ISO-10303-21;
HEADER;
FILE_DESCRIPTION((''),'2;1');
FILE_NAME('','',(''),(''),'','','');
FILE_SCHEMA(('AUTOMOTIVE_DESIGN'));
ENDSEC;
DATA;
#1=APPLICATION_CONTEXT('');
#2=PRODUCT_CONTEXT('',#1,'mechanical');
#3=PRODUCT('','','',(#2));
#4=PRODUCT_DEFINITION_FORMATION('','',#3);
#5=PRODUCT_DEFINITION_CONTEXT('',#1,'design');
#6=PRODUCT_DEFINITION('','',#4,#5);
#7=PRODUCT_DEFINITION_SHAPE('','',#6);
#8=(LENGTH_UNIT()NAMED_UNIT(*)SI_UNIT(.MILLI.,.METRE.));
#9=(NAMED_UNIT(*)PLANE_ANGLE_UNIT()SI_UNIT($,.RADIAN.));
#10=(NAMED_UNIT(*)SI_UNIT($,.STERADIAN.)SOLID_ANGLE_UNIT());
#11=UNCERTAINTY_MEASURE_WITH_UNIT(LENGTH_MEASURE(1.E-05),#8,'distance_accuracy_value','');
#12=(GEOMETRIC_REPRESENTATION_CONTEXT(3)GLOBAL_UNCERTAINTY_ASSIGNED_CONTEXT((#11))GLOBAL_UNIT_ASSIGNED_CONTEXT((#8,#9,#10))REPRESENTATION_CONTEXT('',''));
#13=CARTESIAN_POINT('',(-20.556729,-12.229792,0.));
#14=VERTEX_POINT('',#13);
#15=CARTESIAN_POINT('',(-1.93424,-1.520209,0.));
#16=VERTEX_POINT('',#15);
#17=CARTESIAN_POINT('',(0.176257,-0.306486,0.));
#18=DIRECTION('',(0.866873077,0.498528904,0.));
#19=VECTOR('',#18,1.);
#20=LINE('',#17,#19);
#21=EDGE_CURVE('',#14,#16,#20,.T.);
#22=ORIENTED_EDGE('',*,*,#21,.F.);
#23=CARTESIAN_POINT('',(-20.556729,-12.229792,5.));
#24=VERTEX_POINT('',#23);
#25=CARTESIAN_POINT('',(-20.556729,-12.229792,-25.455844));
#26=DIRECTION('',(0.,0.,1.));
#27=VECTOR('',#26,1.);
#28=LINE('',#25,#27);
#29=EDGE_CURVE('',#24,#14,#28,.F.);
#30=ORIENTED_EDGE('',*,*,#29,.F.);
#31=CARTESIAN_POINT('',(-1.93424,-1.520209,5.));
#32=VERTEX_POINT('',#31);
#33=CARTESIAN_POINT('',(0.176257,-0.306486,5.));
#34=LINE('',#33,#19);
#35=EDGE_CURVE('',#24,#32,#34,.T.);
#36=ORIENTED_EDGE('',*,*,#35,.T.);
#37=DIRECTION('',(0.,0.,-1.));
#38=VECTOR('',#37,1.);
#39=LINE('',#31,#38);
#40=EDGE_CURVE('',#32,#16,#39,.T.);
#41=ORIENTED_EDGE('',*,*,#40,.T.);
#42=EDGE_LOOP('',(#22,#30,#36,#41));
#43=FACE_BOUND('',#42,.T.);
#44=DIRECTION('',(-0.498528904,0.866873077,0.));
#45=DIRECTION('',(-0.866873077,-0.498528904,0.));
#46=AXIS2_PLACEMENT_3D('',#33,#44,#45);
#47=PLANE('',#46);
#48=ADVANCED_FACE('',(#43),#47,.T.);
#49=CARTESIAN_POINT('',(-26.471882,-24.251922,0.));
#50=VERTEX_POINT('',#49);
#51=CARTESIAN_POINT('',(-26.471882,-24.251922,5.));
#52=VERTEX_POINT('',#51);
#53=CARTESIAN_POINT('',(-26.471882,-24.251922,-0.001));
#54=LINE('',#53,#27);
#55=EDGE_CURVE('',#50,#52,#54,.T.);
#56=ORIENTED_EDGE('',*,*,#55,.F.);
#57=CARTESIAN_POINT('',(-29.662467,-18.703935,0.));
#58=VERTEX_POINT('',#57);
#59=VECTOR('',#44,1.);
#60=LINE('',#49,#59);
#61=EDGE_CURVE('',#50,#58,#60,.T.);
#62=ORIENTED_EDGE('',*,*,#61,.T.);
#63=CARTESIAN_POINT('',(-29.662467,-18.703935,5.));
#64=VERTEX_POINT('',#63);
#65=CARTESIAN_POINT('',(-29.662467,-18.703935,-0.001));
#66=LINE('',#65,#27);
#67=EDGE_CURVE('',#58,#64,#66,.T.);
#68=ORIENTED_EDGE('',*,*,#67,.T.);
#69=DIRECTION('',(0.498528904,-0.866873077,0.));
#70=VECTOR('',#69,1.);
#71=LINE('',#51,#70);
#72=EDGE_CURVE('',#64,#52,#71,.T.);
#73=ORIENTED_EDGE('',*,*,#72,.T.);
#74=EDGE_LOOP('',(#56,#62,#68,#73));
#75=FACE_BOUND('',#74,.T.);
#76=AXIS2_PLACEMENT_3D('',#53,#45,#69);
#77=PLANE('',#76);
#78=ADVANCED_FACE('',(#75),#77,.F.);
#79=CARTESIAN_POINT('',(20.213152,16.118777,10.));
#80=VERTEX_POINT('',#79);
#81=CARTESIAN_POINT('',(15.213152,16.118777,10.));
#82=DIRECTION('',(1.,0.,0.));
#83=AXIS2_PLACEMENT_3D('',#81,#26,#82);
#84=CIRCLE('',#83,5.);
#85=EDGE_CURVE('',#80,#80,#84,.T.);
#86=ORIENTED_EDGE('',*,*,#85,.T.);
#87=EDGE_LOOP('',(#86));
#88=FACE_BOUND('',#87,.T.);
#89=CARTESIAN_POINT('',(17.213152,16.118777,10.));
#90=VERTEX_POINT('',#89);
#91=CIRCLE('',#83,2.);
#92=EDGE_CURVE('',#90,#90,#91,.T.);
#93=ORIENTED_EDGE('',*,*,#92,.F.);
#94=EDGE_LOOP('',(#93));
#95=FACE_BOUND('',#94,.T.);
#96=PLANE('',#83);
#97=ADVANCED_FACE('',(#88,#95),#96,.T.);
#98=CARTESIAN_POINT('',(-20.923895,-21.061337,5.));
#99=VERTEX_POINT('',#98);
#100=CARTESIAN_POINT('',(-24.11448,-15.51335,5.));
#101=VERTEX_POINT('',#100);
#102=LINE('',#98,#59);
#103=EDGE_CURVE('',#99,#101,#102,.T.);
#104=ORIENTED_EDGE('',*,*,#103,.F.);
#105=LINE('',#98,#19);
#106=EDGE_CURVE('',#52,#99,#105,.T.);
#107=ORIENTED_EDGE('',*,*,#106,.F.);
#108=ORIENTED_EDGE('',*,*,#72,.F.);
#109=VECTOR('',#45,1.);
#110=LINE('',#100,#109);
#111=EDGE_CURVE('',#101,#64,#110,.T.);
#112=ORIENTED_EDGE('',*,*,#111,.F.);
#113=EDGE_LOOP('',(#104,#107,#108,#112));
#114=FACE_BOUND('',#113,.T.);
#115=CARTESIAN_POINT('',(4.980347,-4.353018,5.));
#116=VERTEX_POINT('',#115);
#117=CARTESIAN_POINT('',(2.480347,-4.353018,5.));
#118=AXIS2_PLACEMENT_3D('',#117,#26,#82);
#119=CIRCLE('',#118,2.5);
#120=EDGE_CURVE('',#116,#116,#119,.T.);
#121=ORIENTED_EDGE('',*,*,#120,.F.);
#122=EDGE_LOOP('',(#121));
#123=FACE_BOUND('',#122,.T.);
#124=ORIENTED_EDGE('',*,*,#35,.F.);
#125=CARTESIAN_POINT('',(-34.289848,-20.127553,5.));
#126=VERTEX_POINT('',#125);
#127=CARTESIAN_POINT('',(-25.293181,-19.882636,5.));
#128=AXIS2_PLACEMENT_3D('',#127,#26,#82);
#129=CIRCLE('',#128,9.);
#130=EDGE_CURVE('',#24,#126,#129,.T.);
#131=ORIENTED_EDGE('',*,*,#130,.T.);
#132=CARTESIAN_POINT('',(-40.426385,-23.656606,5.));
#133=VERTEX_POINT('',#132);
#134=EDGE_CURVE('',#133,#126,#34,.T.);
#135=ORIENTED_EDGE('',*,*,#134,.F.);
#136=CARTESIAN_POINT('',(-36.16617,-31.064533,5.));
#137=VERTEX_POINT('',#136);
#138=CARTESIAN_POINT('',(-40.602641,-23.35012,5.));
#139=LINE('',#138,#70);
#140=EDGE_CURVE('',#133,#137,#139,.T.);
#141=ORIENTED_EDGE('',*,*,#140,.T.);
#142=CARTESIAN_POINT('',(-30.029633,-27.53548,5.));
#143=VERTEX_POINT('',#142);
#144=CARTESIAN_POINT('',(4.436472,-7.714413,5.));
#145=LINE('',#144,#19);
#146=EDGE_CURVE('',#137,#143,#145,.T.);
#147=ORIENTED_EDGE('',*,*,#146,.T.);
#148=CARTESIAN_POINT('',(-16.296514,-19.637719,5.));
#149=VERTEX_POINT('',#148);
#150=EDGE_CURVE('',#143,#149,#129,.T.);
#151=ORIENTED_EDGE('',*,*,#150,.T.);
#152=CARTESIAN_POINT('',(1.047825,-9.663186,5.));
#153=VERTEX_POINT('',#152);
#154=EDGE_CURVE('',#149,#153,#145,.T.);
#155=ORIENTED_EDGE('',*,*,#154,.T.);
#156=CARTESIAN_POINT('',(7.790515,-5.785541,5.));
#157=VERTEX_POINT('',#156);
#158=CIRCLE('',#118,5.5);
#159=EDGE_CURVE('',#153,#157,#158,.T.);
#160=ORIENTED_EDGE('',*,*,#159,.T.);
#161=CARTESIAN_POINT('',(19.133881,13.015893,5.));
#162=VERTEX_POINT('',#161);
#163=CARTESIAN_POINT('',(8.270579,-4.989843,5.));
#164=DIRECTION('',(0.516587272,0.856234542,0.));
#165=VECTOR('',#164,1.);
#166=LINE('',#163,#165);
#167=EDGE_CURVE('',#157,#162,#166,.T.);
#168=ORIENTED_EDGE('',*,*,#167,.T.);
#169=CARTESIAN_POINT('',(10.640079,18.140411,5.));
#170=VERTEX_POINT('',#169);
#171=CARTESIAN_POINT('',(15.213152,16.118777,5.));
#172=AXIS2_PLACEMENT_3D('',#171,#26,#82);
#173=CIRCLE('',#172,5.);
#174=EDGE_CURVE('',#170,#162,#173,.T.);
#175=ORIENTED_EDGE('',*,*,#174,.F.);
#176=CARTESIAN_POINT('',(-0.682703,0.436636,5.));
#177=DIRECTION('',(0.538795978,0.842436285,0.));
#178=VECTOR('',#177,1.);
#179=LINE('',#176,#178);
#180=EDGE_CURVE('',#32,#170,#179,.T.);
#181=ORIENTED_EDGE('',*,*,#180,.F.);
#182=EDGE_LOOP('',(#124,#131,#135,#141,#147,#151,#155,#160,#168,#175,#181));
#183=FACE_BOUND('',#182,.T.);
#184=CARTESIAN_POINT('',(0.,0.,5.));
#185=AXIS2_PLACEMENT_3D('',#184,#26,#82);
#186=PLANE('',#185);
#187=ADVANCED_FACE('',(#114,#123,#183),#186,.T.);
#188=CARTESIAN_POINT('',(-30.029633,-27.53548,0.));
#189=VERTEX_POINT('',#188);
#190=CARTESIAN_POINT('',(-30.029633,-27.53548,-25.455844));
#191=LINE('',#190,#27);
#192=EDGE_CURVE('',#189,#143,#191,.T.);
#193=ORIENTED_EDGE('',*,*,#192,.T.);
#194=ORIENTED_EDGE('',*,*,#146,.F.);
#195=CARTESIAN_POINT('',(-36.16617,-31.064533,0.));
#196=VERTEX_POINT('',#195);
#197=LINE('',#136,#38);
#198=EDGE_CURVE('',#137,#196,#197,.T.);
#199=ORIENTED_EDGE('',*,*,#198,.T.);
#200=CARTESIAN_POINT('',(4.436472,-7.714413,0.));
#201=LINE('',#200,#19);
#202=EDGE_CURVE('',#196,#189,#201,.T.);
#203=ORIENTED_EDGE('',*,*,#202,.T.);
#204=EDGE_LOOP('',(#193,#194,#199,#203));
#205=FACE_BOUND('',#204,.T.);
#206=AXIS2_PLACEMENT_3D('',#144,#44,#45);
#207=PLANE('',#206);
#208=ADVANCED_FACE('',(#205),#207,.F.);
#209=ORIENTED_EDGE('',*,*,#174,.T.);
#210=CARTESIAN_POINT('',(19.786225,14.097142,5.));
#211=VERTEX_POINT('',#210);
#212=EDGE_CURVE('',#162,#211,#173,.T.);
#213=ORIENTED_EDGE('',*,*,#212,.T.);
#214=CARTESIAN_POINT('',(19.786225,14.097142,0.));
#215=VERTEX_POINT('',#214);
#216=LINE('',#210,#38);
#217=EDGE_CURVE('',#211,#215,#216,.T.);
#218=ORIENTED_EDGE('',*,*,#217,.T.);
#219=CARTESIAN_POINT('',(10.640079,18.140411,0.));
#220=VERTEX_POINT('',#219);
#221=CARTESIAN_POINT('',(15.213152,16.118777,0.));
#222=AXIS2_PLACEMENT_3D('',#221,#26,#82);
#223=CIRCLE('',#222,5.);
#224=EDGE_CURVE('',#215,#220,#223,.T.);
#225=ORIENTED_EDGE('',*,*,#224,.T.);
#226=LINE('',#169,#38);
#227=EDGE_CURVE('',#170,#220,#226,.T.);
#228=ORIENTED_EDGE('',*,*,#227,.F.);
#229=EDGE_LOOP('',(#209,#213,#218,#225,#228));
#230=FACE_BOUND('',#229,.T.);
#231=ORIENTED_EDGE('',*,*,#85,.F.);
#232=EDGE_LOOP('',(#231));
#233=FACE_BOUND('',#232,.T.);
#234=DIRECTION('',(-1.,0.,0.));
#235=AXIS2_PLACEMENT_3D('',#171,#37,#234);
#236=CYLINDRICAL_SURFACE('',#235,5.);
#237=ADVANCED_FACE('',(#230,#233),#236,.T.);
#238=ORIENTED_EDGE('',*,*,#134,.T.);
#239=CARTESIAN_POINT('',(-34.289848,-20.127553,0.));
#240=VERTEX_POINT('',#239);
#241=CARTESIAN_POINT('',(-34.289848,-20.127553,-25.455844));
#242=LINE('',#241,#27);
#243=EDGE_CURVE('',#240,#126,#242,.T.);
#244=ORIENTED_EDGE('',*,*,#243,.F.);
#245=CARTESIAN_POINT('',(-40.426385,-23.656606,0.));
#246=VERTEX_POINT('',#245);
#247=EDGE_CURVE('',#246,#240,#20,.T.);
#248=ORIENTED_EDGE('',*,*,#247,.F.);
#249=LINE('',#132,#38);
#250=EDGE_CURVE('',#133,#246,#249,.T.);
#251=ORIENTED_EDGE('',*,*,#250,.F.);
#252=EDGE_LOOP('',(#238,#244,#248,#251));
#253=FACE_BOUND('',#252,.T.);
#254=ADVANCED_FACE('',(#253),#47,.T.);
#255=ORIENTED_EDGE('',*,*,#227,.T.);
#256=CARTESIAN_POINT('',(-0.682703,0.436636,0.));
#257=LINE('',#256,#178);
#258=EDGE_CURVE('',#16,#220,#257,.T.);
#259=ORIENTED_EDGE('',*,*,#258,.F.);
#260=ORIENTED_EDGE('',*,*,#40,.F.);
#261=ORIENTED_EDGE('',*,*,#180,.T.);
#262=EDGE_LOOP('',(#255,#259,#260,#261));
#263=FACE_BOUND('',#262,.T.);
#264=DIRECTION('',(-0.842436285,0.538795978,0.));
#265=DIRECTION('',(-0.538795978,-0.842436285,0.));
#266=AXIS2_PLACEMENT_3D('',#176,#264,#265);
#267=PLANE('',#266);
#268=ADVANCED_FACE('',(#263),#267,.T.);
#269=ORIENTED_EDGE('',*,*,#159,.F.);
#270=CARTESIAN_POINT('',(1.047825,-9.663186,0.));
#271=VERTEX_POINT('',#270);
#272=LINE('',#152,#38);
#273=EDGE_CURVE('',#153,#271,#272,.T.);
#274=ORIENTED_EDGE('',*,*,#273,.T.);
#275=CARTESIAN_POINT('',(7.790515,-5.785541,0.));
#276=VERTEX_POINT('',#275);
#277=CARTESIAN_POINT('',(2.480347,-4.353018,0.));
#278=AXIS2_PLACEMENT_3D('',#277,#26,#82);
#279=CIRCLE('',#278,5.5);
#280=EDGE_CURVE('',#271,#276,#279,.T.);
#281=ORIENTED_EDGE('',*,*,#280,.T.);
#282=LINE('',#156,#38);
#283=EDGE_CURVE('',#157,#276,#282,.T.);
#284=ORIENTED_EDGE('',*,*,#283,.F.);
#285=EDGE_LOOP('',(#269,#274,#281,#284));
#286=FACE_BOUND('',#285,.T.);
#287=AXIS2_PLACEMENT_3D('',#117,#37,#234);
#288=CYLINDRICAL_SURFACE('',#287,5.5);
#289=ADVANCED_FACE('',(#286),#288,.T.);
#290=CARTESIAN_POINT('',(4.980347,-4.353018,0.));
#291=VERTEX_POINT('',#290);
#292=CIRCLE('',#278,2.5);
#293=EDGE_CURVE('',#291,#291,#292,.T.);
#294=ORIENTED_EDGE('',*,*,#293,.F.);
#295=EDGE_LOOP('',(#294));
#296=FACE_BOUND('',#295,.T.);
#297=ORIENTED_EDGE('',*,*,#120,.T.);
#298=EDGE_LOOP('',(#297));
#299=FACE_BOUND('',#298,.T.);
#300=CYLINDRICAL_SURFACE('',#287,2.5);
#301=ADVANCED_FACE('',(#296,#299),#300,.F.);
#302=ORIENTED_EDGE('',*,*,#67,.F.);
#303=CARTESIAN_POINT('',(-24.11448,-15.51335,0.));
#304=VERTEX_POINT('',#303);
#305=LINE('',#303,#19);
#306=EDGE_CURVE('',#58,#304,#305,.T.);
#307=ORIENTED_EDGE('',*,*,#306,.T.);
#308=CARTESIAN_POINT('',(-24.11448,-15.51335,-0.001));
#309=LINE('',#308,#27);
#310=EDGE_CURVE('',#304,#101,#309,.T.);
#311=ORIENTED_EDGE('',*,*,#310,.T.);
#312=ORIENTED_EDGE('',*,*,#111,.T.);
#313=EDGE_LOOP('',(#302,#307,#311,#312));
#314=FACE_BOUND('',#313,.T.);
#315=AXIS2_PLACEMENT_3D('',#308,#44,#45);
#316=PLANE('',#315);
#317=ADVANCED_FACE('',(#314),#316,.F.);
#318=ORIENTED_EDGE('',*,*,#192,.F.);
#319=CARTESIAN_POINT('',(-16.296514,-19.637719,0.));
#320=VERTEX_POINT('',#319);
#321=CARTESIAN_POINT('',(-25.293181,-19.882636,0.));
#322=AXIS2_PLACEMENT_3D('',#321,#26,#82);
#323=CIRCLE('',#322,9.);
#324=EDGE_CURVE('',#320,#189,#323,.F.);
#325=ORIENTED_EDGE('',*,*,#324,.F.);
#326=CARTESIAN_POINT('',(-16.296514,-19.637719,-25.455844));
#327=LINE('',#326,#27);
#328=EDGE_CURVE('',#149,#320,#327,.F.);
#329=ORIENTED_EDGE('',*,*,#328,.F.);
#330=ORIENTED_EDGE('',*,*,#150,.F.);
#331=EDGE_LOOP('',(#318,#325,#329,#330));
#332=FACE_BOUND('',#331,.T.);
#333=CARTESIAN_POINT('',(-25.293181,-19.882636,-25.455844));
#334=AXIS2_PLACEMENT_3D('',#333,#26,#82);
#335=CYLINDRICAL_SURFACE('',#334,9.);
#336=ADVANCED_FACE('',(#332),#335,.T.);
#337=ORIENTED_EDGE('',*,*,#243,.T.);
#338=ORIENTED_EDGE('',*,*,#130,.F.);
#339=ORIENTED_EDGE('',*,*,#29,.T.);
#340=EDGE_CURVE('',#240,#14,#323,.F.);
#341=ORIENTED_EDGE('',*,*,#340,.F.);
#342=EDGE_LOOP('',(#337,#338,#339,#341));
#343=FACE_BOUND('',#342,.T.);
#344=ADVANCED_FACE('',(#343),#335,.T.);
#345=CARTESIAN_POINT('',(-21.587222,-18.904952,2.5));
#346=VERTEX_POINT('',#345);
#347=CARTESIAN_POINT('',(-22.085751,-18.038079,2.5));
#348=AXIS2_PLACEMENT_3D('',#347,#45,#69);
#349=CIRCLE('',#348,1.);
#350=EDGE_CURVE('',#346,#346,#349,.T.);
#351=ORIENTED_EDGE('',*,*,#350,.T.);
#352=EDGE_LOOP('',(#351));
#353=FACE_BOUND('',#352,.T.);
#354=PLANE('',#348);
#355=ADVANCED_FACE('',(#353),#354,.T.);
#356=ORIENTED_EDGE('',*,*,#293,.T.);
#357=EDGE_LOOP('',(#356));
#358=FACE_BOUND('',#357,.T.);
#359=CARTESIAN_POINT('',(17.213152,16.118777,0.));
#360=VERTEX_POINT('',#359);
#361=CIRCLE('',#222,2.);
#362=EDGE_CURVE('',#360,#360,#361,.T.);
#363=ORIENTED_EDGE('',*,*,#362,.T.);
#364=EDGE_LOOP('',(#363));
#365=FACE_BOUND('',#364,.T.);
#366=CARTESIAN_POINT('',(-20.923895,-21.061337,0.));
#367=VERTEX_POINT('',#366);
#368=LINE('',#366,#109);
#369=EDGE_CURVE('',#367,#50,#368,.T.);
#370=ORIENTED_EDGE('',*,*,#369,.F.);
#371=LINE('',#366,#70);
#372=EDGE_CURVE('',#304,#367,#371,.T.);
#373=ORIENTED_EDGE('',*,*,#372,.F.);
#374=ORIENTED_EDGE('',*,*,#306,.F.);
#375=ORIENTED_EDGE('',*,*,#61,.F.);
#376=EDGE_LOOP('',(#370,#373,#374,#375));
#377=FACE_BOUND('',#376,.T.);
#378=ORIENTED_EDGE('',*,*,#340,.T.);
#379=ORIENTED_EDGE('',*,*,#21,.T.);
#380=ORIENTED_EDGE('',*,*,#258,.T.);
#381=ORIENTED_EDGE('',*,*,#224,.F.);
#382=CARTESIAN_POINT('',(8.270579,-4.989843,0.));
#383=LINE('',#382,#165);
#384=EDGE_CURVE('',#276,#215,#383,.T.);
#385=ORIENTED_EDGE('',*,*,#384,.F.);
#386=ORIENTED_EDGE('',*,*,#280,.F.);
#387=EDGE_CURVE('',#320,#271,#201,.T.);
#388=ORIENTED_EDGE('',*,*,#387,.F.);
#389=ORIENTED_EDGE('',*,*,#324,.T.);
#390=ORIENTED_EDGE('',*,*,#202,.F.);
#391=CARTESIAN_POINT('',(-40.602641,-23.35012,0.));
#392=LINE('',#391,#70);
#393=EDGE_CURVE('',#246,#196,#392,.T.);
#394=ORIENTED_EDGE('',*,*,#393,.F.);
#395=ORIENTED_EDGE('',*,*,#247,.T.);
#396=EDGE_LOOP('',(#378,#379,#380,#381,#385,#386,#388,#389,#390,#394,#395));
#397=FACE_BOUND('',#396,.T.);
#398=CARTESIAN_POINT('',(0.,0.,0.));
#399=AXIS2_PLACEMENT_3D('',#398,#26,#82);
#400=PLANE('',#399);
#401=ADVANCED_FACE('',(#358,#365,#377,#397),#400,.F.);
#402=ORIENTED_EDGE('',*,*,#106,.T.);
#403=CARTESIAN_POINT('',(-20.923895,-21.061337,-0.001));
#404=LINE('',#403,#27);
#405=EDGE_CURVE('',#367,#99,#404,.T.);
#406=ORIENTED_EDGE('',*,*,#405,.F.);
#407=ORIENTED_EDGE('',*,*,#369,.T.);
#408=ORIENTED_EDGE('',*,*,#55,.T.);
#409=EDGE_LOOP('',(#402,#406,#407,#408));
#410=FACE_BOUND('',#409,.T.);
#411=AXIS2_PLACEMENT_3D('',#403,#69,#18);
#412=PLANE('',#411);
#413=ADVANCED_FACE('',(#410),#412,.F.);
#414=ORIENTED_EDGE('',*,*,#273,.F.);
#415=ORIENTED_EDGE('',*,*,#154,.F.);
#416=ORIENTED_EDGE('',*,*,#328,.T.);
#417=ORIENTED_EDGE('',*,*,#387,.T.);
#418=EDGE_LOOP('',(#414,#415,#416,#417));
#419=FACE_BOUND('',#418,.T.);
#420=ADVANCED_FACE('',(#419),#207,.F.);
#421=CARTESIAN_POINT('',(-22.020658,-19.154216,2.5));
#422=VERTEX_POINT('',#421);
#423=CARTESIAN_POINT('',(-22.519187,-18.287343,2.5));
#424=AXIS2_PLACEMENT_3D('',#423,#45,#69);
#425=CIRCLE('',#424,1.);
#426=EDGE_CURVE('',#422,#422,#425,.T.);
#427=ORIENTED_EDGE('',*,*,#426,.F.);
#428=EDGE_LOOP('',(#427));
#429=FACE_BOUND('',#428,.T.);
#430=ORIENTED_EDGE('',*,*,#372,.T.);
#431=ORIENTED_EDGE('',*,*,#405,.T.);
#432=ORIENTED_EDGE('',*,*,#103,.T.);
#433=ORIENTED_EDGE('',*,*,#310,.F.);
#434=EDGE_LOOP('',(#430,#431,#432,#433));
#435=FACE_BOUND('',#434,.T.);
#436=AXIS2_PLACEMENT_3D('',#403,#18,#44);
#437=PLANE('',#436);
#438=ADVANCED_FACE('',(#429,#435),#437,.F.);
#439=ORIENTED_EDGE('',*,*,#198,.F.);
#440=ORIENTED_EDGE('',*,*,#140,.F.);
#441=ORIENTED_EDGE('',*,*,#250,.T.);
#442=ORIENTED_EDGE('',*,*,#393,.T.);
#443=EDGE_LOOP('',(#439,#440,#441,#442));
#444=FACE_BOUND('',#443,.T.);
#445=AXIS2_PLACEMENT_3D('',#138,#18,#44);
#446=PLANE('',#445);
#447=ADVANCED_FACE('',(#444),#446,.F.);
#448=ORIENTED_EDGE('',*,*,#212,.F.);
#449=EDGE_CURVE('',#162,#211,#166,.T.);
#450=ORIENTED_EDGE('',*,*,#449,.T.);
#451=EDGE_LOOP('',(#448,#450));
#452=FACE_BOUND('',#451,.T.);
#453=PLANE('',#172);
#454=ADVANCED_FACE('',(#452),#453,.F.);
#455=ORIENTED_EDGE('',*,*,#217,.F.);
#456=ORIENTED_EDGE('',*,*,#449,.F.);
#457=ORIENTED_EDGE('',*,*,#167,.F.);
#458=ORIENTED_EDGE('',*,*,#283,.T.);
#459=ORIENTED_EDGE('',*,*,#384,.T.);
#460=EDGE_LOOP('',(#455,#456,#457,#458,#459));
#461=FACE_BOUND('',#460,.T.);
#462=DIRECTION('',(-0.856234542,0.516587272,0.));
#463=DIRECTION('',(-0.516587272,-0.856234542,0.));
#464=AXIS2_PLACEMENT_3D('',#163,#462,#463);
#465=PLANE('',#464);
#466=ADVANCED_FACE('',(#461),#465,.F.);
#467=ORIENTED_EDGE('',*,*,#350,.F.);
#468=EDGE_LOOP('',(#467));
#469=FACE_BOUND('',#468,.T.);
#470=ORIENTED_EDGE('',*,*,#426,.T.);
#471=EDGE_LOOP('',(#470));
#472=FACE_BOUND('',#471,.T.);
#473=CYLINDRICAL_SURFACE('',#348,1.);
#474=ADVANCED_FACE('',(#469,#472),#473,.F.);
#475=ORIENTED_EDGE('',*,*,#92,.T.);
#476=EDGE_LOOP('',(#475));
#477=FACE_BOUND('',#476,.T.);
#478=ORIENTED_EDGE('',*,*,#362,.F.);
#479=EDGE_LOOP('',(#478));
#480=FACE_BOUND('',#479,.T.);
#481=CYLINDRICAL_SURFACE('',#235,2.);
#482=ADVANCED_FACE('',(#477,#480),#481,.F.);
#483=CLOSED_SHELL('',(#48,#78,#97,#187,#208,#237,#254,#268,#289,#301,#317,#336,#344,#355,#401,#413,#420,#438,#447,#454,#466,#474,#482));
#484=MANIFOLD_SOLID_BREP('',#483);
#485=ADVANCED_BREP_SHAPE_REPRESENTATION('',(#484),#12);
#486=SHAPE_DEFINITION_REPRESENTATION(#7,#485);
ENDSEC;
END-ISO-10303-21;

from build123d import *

# Parameters (mm, degrees)
SKETCH1_R           = 2
SKETCH1_R_2         = 2.5
BOSS_EXTRUDE1_DEPTH = 5
SKETCH6_R           = 9
BOSS_EXTRUDE3_DEPTH = 5
CUT_EXTRUDE1_REACH  = 7
SKETCH13_R          = 1
CUT_EXTRUDE2_DEPTH  = 0.5
SKETCH14_R          = 5
SKETCH14_R_2        = 2
BOSS_EXTRUDE4_DEPTH = 5


with BuildPart() as part:
    # Sketch1 → Boss-Extrude1 (new body)
    with BuildSketch(Plane(origin=(0, 0, 0), x_dir=(0.498528904, -0.866873077, 0), z_dir=(0, 0, 1))):
        with BuildLine():
            Line((8.899126574, 3.869128256), (-2.35642803, 24.179978159))
            ThreePointArc((-2.35642803, 24.179978159), (-9.345167797, 25.255857552), (-10.421047189, 18.267117784))
            Line((-10.421047189, 18.267117784), (1.120951981, -3.909046337))
            ThreePointArc((1.120951981, -3.909046337), (8.899126574, -3.909046337), (8.899126574, 3.869128256))
        make_face()
        with Locations((-6.38873761, 21.223547972)):
            Circle(SKETCH1_R, mode=Mode.SUBTRACT)
        with Locations((5.010039278, -0.019959041)):
            Circle(SKETCH1_R_2, mode=Mode.SUBTRACT)
        with BuildLine():
            Line((8.899126574, -46.838046337), (8.899126574, -3.909046337))
            ThreePointArc((8.899126574, -3.909046337), (5.010039278, -5.519959041), (1.120951981, -3.909046337))
            Line((1.120951981, -3.909046337), (0.353553391, -2.434608777))
            Line((0.353553391, -2.434608777), (0.353553391, -46.838046337))
            Line((0.353553391, -46.838046337), (8.899126574, -46.838046337))
        make_face()
    extrude(amount=BOSS_EXTRUDE1_DEPTH)

    # Sketch6 → Boss-Extrude3 (add)
    with BuildSketch(Plane.XY.offset(5)):
        with Locations((-25.293181008, -19.882635909)):
            Circle(SKETCH6_R)
    extrude(amount=-BOSS_EXTRUDE3_DEPTH)

    # Sketch12 → Cut-Extrude1 (cut, up to next)
    with BuildSketch(Plane.XY.offset(5), mode=Mode.PRIVATE) as cut_extrude1_sk1:
        Polygon((-20.923894669, -21.061337265), (-24.114479652, -15.51334957), (-29.662467347, -18.703934553), (-26.471882365, -24.251922248), align=None)
    cut_extrude1_tool1 = extrude(cut_extrude1_sk1.sketch, amount=-CUT_EXTRUDE1_REACH, mode=Mode.PRIVATE) & part.part
    add(cut_extrude1_tool1.solids().sort_by_distance((-25.293181, -19.882636, 5))[0], mode=Mode.SUBTRACT)

    # Sketch13 → Cut-Extrude2 (cut)
    with BuildSketch(Plane(origin=(-24.825551359, -14.27689384, 0), x_dir=(0, 0, 1), z_dir=(-0.866873077, -0.498528904, 0))):
        with Locations((2.5, -4.626339983)):
            Circle(SKETCH13_R)
    extrude(amount=-CUT_EXTRUDE2_DEPTH, mode=Mode.SUBTRACT)

    # Sketch14 → Boss-Extrude4 (add)
    with BuildSketch(Plane.XY.offset(5)):
        with Locations((15.213151988, 16.118776732)):
            Circle(SKETCH14_R)
        with Locations((15.213151988, 16.118776732)):
            Circle(SKETCH14_R_2, mode=Mode.SUBTRACT)
    extrude(amount=BOSS_EXTRUDE4_DEPTH)


solid = part.part
